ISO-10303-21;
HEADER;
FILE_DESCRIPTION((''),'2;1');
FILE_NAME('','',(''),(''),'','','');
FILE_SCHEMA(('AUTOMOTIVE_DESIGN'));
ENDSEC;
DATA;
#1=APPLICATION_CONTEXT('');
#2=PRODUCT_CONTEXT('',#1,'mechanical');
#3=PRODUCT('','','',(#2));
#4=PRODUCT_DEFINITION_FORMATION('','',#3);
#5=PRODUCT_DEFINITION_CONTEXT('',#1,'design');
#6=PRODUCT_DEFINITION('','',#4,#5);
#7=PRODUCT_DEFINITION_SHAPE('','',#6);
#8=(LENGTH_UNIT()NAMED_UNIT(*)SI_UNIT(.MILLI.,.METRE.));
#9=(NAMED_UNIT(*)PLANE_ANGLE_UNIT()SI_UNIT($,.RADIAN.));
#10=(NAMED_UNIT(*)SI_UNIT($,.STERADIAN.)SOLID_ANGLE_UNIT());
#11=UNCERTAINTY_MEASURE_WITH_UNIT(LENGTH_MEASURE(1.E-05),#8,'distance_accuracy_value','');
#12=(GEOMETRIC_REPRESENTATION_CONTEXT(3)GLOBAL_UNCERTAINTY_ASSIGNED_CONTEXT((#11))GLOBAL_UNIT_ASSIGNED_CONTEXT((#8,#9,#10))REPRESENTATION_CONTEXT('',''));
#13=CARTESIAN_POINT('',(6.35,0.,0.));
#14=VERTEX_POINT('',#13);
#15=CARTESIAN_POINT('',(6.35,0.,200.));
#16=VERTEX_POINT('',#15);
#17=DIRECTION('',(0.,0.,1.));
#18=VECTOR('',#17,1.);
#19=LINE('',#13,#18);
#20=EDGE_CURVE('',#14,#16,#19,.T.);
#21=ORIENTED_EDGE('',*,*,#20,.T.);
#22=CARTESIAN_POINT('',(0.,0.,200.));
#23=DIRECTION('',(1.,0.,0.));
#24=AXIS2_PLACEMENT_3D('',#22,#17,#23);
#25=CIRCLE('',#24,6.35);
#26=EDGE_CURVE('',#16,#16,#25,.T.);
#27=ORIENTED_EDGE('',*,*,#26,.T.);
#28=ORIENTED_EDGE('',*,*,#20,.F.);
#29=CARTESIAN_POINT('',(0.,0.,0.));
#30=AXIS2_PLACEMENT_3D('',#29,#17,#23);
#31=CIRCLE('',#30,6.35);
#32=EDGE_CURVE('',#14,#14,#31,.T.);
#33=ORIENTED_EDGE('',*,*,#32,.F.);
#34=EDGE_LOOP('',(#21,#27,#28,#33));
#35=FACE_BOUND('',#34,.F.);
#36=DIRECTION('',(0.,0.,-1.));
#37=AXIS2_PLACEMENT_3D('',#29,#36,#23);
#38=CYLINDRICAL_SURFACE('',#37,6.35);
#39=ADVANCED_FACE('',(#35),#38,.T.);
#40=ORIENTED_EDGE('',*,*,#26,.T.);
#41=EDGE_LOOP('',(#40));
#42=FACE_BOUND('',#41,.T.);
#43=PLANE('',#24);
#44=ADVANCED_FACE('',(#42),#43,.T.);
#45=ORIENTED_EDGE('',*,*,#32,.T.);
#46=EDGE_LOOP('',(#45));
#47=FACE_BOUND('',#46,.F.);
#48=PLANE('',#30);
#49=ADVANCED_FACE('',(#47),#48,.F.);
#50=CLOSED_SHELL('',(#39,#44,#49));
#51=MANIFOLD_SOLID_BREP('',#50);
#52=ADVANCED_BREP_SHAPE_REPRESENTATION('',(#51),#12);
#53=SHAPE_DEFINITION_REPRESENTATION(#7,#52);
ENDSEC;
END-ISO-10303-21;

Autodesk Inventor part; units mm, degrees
ref_plane "YZ Plane" through (0, 0, 0) normal (1, 0, 0) x (0, 1, 0)
ref_plane "XZ Plane" through (0, 0, 0) normal (0, 1, 0) x (-1, 0, 0)
ref_plane "XY Plane" through (0, 0, 0) normal (0, 0, 1) x (1, 0, 0)
sketch "Sketch1" plane through (0, 0, 0) normal (0, 0, 1) x (1, 0, 0)
  circle A0 centre (0, 0) radius 6.35
  dimension "d0" = 12.7
extrude "Extrusion1" add sketch "Sketch1" along normal blind 200
properties part number "Worm Axle"
